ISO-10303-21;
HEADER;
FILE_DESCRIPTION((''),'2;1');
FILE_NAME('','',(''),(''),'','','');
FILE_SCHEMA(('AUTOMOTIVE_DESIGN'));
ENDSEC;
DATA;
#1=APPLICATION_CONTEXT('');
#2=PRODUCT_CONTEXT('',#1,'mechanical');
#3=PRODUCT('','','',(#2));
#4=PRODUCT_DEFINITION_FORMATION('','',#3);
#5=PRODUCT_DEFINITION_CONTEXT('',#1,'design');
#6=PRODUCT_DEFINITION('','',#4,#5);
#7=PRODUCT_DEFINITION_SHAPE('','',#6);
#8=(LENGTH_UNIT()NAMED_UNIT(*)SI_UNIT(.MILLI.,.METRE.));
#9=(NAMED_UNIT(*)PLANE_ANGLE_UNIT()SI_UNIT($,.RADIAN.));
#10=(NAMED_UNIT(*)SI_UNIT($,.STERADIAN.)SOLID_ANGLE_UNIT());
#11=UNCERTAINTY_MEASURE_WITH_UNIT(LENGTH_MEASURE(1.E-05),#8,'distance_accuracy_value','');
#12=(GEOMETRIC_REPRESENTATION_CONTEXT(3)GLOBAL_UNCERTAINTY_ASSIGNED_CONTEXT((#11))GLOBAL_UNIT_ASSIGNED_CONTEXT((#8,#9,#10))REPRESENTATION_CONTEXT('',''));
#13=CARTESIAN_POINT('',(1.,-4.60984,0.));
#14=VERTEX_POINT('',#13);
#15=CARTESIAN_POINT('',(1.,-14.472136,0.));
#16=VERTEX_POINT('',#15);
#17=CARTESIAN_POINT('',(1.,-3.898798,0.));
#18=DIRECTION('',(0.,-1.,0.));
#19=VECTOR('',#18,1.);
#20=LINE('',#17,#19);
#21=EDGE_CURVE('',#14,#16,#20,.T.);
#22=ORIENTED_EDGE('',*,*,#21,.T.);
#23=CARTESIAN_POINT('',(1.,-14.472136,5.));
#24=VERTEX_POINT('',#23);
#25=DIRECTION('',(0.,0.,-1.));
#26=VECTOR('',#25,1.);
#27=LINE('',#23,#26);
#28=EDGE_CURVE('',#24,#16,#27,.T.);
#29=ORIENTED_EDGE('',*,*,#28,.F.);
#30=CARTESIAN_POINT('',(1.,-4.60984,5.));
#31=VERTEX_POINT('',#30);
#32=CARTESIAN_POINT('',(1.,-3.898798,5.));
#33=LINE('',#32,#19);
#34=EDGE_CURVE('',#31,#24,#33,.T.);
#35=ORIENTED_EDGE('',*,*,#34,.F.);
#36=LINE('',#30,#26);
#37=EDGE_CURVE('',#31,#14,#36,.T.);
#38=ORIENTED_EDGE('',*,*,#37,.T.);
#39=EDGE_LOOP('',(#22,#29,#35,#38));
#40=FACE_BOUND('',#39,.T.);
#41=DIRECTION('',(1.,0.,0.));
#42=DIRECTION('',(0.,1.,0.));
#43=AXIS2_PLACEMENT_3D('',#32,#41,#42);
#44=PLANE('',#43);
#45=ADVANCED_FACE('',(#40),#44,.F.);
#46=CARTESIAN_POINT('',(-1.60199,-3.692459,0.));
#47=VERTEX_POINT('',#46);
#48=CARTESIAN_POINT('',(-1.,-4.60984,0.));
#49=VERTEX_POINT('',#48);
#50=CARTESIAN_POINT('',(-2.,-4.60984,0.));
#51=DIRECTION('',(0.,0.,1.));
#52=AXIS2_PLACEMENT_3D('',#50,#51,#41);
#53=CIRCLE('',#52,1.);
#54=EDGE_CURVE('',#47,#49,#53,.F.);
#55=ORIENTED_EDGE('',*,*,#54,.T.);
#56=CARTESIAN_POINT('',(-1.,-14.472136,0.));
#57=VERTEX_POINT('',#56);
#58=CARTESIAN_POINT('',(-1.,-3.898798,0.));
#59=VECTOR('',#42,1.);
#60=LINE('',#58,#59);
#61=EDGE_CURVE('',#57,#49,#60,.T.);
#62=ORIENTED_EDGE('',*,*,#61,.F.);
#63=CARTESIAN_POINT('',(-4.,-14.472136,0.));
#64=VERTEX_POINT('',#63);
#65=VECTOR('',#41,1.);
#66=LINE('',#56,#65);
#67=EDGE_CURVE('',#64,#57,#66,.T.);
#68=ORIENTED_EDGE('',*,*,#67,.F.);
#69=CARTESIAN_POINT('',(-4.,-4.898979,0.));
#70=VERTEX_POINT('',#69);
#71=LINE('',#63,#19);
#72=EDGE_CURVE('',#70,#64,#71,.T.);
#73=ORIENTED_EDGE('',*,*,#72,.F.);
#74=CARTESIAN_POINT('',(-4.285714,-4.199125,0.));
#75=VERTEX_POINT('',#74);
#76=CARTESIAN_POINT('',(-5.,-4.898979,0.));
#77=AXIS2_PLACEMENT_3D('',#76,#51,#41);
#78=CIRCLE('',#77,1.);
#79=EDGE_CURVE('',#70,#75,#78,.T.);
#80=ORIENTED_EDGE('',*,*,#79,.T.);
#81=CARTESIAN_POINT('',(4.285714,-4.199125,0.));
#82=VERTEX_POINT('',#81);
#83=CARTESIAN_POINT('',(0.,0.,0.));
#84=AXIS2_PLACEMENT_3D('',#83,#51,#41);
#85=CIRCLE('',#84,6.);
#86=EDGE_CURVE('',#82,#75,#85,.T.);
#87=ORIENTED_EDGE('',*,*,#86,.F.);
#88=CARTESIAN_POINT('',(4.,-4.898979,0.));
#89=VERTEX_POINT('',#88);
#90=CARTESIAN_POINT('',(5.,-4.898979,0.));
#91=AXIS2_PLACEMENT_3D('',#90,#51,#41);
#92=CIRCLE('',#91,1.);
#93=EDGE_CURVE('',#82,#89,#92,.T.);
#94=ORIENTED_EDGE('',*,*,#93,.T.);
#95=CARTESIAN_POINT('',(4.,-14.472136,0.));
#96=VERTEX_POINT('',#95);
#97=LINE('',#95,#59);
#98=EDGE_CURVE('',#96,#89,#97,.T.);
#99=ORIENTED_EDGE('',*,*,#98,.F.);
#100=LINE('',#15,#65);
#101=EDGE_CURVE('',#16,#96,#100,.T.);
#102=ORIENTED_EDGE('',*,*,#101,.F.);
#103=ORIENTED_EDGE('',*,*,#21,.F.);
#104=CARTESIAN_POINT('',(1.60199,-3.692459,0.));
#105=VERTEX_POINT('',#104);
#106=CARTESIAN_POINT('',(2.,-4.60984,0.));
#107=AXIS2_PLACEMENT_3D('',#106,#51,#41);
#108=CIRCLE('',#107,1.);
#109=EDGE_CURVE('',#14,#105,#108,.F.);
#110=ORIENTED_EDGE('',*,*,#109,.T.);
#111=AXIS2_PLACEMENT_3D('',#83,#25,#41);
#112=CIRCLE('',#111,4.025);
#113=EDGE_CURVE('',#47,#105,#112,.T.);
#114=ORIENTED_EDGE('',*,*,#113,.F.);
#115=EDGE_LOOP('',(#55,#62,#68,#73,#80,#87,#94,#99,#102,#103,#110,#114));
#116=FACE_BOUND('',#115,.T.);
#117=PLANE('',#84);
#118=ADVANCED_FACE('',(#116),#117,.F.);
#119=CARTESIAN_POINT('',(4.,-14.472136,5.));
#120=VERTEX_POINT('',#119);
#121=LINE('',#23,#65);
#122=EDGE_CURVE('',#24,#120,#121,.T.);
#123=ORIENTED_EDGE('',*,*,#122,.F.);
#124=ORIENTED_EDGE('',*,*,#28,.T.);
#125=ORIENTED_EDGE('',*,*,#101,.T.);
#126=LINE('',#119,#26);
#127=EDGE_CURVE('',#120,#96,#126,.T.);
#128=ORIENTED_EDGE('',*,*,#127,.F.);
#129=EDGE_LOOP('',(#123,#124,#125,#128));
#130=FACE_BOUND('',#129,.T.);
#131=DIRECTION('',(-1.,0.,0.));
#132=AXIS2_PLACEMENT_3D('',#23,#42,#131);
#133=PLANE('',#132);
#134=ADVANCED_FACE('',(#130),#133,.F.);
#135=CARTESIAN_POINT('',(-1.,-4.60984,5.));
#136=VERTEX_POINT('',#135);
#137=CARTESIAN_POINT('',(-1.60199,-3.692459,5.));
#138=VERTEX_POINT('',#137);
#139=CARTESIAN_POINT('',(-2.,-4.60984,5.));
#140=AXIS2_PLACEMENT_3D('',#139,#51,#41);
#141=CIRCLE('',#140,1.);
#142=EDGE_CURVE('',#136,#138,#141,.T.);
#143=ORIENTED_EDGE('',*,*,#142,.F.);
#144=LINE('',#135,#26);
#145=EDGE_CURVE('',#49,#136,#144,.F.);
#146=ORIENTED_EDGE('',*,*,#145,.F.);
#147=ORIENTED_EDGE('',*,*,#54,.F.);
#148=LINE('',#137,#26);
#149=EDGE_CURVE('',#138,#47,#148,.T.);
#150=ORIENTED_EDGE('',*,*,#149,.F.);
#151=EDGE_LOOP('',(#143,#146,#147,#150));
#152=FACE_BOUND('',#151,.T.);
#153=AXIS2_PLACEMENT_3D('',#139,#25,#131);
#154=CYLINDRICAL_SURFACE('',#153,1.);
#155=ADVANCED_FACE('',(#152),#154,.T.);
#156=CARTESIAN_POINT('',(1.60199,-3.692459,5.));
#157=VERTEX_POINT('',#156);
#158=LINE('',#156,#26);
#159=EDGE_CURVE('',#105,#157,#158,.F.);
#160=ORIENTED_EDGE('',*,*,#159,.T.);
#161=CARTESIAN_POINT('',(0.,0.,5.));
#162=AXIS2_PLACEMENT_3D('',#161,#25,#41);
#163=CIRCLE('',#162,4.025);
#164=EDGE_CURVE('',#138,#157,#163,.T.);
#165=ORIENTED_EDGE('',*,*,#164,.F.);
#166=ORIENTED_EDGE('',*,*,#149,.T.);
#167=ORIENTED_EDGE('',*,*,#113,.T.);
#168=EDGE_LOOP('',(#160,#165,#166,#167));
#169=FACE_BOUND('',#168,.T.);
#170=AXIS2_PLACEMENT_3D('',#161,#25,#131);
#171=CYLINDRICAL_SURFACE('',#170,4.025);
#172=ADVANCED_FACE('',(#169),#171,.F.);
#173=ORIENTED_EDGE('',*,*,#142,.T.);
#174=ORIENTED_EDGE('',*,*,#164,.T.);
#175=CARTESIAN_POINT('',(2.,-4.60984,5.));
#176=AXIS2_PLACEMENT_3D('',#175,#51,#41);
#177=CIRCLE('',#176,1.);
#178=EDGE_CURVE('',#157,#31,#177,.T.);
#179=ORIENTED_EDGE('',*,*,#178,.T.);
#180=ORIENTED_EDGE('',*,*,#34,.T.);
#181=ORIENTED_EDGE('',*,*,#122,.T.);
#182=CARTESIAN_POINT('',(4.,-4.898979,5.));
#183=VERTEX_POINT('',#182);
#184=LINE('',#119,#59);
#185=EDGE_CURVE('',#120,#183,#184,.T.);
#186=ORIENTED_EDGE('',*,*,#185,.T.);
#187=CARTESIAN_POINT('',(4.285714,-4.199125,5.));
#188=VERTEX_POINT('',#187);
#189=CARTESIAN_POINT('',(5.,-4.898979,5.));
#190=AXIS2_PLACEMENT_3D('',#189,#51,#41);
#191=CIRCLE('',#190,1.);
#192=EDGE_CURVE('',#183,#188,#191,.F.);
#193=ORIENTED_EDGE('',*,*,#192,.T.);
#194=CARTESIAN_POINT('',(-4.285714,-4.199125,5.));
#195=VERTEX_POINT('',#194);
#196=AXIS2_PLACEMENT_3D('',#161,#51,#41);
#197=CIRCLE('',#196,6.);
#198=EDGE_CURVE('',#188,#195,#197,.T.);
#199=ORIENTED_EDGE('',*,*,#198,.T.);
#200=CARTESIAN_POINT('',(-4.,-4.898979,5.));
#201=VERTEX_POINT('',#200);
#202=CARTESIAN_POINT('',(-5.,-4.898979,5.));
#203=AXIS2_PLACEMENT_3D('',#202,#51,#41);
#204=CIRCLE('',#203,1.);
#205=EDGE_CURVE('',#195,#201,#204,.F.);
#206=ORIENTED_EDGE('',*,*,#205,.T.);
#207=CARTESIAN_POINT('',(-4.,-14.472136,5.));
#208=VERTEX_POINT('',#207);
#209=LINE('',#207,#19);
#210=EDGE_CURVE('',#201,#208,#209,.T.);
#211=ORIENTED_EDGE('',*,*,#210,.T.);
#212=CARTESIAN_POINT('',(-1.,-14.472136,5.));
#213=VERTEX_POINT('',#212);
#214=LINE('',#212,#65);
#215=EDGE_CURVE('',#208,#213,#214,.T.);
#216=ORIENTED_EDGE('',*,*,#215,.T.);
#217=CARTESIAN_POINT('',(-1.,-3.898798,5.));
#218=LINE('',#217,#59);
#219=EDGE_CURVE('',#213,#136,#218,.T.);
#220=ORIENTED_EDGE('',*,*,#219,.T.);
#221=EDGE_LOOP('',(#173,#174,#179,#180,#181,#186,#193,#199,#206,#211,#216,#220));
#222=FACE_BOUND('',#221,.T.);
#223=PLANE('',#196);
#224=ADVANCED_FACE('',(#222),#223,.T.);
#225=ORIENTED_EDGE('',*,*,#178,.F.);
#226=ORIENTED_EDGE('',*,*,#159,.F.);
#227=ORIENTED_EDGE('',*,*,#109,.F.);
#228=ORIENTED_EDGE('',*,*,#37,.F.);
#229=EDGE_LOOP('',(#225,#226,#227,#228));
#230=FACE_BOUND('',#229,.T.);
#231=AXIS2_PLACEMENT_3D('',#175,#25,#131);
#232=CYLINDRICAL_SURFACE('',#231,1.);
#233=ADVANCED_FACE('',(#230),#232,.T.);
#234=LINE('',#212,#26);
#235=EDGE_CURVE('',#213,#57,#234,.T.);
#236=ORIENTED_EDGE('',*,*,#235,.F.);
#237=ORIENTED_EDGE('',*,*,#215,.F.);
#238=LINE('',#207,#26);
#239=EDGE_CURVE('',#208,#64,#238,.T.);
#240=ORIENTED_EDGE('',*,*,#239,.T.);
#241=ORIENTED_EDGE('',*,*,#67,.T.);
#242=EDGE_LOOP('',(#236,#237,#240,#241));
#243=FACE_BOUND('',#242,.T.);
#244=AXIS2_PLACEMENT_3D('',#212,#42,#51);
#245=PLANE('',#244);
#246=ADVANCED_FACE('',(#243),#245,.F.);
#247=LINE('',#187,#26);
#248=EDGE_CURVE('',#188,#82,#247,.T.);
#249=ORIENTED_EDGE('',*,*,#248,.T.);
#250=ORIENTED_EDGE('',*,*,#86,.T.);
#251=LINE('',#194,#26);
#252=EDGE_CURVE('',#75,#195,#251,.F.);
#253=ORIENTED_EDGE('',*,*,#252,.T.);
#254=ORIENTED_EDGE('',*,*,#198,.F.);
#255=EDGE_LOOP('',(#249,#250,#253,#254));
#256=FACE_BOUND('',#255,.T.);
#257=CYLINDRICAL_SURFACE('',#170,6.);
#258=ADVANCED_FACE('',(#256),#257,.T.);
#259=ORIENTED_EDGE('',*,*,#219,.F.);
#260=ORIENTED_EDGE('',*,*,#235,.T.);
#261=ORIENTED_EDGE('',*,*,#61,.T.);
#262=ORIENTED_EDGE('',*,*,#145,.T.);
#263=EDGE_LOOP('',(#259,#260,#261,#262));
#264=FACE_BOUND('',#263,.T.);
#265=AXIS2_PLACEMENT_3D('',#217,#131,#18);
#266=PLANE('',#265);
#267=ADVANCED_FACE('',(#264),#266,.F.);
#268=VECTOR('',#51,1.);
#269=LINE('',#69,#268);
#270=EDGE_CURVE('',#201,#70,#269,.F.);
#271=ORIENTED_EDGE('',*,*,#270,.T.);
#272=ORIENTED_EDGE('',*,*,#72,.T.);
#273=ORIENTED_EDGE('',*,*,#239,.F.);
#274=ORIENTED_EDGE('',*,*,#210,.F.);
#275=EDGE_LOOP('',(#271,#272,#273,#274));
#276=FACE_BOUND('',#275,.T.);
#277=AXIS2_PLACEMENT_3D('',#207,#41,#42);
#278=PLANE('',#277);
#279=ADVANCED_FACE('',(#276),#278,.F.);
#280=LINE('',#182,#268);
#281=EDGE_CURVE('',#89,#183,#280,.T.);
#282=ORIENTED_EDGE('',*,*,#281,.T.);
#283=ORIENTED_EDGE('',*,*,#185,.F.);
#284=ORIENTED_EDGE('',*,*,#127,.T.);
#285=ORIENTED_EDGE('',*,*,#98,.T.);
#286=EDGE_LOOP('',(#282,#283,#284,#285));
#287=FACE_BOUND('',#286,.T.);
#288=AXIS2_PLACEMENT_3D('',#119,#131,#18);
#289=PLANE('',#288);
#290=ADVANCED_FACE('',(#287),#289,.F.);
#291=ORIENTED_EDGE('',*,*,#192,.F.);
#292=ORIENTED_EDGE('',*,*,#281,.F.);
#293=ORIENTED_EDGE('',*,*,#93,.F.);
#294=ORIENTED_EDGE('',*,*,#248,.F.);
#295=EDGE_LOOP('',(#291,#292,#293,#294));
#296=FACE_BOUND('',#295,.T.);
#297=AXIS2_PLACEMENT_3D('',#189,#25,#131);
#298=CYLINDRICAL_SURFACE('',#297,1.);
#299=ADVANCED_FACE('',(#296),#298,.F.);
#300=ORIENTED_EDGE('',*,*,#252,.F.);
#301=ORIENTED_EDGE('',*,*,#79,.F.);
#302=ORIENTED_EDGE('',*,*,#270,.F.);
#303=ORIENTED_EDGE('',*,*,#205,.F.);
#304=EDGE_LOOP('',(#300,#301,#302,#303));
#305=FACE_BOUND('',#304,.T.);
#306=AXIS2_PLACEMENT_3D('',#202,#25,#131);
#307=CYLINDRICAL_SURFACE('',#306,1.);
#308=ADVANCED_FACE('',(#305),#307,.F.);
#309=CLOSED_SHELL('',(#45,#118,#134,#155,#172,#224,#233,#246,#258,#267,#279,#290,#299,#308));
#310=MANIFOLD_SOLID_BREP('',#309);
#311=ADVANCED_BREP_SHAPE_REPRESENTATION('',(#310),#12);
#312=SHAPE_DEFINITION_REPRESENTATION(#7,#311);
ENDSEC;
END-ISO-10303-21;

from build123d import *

# Parameters (mm, degrees)
BOSS_EXTRUDE1_DEPTH = 5
FILLET1_R           = 1


with BuildPart() as part:
    # Sketch1 → Boss-Extrude1 (new body)
    with BuildSketch(Plane.XY):
        with BuildLine():
            Line((-1, -3.898797892), (-1, -14.472135955))
            Line((-1, -14.472135955), (-4, -14.472135955))
            Line((-4, -14.472135955), (-4, -4.472135955))
            ThreePointArc((-4, -4.472135955), (0, 6), (4, -4.472135955))
            Line((4, -4.472135955), (4, -14.472135955))
            Line((4, -14.472135955), (1, -14.472135955))
            Line((1, -14.472135955), (1, -3.898797892))
            ThreePointArc((1, -3.898797892), (0, 4.025), (-1, -3.898797892))
        make_face()
    extrude(amount=BOSS_EXTRUDE1_DEPTH)

    # Fillet1
    fillet1_edges = [part.edges().sort_by_distance(p)[0] for p in [
        (-1, -3.898797892, 2.5),
        (-4, -4.472135955, 2.5),
        (4, -4.472135955, 2.5),
        (1, -3.898797892, 2.5),
    ]]
    fillet(fillet1_edges, radius=FILLET1_R)


solid = part.part
